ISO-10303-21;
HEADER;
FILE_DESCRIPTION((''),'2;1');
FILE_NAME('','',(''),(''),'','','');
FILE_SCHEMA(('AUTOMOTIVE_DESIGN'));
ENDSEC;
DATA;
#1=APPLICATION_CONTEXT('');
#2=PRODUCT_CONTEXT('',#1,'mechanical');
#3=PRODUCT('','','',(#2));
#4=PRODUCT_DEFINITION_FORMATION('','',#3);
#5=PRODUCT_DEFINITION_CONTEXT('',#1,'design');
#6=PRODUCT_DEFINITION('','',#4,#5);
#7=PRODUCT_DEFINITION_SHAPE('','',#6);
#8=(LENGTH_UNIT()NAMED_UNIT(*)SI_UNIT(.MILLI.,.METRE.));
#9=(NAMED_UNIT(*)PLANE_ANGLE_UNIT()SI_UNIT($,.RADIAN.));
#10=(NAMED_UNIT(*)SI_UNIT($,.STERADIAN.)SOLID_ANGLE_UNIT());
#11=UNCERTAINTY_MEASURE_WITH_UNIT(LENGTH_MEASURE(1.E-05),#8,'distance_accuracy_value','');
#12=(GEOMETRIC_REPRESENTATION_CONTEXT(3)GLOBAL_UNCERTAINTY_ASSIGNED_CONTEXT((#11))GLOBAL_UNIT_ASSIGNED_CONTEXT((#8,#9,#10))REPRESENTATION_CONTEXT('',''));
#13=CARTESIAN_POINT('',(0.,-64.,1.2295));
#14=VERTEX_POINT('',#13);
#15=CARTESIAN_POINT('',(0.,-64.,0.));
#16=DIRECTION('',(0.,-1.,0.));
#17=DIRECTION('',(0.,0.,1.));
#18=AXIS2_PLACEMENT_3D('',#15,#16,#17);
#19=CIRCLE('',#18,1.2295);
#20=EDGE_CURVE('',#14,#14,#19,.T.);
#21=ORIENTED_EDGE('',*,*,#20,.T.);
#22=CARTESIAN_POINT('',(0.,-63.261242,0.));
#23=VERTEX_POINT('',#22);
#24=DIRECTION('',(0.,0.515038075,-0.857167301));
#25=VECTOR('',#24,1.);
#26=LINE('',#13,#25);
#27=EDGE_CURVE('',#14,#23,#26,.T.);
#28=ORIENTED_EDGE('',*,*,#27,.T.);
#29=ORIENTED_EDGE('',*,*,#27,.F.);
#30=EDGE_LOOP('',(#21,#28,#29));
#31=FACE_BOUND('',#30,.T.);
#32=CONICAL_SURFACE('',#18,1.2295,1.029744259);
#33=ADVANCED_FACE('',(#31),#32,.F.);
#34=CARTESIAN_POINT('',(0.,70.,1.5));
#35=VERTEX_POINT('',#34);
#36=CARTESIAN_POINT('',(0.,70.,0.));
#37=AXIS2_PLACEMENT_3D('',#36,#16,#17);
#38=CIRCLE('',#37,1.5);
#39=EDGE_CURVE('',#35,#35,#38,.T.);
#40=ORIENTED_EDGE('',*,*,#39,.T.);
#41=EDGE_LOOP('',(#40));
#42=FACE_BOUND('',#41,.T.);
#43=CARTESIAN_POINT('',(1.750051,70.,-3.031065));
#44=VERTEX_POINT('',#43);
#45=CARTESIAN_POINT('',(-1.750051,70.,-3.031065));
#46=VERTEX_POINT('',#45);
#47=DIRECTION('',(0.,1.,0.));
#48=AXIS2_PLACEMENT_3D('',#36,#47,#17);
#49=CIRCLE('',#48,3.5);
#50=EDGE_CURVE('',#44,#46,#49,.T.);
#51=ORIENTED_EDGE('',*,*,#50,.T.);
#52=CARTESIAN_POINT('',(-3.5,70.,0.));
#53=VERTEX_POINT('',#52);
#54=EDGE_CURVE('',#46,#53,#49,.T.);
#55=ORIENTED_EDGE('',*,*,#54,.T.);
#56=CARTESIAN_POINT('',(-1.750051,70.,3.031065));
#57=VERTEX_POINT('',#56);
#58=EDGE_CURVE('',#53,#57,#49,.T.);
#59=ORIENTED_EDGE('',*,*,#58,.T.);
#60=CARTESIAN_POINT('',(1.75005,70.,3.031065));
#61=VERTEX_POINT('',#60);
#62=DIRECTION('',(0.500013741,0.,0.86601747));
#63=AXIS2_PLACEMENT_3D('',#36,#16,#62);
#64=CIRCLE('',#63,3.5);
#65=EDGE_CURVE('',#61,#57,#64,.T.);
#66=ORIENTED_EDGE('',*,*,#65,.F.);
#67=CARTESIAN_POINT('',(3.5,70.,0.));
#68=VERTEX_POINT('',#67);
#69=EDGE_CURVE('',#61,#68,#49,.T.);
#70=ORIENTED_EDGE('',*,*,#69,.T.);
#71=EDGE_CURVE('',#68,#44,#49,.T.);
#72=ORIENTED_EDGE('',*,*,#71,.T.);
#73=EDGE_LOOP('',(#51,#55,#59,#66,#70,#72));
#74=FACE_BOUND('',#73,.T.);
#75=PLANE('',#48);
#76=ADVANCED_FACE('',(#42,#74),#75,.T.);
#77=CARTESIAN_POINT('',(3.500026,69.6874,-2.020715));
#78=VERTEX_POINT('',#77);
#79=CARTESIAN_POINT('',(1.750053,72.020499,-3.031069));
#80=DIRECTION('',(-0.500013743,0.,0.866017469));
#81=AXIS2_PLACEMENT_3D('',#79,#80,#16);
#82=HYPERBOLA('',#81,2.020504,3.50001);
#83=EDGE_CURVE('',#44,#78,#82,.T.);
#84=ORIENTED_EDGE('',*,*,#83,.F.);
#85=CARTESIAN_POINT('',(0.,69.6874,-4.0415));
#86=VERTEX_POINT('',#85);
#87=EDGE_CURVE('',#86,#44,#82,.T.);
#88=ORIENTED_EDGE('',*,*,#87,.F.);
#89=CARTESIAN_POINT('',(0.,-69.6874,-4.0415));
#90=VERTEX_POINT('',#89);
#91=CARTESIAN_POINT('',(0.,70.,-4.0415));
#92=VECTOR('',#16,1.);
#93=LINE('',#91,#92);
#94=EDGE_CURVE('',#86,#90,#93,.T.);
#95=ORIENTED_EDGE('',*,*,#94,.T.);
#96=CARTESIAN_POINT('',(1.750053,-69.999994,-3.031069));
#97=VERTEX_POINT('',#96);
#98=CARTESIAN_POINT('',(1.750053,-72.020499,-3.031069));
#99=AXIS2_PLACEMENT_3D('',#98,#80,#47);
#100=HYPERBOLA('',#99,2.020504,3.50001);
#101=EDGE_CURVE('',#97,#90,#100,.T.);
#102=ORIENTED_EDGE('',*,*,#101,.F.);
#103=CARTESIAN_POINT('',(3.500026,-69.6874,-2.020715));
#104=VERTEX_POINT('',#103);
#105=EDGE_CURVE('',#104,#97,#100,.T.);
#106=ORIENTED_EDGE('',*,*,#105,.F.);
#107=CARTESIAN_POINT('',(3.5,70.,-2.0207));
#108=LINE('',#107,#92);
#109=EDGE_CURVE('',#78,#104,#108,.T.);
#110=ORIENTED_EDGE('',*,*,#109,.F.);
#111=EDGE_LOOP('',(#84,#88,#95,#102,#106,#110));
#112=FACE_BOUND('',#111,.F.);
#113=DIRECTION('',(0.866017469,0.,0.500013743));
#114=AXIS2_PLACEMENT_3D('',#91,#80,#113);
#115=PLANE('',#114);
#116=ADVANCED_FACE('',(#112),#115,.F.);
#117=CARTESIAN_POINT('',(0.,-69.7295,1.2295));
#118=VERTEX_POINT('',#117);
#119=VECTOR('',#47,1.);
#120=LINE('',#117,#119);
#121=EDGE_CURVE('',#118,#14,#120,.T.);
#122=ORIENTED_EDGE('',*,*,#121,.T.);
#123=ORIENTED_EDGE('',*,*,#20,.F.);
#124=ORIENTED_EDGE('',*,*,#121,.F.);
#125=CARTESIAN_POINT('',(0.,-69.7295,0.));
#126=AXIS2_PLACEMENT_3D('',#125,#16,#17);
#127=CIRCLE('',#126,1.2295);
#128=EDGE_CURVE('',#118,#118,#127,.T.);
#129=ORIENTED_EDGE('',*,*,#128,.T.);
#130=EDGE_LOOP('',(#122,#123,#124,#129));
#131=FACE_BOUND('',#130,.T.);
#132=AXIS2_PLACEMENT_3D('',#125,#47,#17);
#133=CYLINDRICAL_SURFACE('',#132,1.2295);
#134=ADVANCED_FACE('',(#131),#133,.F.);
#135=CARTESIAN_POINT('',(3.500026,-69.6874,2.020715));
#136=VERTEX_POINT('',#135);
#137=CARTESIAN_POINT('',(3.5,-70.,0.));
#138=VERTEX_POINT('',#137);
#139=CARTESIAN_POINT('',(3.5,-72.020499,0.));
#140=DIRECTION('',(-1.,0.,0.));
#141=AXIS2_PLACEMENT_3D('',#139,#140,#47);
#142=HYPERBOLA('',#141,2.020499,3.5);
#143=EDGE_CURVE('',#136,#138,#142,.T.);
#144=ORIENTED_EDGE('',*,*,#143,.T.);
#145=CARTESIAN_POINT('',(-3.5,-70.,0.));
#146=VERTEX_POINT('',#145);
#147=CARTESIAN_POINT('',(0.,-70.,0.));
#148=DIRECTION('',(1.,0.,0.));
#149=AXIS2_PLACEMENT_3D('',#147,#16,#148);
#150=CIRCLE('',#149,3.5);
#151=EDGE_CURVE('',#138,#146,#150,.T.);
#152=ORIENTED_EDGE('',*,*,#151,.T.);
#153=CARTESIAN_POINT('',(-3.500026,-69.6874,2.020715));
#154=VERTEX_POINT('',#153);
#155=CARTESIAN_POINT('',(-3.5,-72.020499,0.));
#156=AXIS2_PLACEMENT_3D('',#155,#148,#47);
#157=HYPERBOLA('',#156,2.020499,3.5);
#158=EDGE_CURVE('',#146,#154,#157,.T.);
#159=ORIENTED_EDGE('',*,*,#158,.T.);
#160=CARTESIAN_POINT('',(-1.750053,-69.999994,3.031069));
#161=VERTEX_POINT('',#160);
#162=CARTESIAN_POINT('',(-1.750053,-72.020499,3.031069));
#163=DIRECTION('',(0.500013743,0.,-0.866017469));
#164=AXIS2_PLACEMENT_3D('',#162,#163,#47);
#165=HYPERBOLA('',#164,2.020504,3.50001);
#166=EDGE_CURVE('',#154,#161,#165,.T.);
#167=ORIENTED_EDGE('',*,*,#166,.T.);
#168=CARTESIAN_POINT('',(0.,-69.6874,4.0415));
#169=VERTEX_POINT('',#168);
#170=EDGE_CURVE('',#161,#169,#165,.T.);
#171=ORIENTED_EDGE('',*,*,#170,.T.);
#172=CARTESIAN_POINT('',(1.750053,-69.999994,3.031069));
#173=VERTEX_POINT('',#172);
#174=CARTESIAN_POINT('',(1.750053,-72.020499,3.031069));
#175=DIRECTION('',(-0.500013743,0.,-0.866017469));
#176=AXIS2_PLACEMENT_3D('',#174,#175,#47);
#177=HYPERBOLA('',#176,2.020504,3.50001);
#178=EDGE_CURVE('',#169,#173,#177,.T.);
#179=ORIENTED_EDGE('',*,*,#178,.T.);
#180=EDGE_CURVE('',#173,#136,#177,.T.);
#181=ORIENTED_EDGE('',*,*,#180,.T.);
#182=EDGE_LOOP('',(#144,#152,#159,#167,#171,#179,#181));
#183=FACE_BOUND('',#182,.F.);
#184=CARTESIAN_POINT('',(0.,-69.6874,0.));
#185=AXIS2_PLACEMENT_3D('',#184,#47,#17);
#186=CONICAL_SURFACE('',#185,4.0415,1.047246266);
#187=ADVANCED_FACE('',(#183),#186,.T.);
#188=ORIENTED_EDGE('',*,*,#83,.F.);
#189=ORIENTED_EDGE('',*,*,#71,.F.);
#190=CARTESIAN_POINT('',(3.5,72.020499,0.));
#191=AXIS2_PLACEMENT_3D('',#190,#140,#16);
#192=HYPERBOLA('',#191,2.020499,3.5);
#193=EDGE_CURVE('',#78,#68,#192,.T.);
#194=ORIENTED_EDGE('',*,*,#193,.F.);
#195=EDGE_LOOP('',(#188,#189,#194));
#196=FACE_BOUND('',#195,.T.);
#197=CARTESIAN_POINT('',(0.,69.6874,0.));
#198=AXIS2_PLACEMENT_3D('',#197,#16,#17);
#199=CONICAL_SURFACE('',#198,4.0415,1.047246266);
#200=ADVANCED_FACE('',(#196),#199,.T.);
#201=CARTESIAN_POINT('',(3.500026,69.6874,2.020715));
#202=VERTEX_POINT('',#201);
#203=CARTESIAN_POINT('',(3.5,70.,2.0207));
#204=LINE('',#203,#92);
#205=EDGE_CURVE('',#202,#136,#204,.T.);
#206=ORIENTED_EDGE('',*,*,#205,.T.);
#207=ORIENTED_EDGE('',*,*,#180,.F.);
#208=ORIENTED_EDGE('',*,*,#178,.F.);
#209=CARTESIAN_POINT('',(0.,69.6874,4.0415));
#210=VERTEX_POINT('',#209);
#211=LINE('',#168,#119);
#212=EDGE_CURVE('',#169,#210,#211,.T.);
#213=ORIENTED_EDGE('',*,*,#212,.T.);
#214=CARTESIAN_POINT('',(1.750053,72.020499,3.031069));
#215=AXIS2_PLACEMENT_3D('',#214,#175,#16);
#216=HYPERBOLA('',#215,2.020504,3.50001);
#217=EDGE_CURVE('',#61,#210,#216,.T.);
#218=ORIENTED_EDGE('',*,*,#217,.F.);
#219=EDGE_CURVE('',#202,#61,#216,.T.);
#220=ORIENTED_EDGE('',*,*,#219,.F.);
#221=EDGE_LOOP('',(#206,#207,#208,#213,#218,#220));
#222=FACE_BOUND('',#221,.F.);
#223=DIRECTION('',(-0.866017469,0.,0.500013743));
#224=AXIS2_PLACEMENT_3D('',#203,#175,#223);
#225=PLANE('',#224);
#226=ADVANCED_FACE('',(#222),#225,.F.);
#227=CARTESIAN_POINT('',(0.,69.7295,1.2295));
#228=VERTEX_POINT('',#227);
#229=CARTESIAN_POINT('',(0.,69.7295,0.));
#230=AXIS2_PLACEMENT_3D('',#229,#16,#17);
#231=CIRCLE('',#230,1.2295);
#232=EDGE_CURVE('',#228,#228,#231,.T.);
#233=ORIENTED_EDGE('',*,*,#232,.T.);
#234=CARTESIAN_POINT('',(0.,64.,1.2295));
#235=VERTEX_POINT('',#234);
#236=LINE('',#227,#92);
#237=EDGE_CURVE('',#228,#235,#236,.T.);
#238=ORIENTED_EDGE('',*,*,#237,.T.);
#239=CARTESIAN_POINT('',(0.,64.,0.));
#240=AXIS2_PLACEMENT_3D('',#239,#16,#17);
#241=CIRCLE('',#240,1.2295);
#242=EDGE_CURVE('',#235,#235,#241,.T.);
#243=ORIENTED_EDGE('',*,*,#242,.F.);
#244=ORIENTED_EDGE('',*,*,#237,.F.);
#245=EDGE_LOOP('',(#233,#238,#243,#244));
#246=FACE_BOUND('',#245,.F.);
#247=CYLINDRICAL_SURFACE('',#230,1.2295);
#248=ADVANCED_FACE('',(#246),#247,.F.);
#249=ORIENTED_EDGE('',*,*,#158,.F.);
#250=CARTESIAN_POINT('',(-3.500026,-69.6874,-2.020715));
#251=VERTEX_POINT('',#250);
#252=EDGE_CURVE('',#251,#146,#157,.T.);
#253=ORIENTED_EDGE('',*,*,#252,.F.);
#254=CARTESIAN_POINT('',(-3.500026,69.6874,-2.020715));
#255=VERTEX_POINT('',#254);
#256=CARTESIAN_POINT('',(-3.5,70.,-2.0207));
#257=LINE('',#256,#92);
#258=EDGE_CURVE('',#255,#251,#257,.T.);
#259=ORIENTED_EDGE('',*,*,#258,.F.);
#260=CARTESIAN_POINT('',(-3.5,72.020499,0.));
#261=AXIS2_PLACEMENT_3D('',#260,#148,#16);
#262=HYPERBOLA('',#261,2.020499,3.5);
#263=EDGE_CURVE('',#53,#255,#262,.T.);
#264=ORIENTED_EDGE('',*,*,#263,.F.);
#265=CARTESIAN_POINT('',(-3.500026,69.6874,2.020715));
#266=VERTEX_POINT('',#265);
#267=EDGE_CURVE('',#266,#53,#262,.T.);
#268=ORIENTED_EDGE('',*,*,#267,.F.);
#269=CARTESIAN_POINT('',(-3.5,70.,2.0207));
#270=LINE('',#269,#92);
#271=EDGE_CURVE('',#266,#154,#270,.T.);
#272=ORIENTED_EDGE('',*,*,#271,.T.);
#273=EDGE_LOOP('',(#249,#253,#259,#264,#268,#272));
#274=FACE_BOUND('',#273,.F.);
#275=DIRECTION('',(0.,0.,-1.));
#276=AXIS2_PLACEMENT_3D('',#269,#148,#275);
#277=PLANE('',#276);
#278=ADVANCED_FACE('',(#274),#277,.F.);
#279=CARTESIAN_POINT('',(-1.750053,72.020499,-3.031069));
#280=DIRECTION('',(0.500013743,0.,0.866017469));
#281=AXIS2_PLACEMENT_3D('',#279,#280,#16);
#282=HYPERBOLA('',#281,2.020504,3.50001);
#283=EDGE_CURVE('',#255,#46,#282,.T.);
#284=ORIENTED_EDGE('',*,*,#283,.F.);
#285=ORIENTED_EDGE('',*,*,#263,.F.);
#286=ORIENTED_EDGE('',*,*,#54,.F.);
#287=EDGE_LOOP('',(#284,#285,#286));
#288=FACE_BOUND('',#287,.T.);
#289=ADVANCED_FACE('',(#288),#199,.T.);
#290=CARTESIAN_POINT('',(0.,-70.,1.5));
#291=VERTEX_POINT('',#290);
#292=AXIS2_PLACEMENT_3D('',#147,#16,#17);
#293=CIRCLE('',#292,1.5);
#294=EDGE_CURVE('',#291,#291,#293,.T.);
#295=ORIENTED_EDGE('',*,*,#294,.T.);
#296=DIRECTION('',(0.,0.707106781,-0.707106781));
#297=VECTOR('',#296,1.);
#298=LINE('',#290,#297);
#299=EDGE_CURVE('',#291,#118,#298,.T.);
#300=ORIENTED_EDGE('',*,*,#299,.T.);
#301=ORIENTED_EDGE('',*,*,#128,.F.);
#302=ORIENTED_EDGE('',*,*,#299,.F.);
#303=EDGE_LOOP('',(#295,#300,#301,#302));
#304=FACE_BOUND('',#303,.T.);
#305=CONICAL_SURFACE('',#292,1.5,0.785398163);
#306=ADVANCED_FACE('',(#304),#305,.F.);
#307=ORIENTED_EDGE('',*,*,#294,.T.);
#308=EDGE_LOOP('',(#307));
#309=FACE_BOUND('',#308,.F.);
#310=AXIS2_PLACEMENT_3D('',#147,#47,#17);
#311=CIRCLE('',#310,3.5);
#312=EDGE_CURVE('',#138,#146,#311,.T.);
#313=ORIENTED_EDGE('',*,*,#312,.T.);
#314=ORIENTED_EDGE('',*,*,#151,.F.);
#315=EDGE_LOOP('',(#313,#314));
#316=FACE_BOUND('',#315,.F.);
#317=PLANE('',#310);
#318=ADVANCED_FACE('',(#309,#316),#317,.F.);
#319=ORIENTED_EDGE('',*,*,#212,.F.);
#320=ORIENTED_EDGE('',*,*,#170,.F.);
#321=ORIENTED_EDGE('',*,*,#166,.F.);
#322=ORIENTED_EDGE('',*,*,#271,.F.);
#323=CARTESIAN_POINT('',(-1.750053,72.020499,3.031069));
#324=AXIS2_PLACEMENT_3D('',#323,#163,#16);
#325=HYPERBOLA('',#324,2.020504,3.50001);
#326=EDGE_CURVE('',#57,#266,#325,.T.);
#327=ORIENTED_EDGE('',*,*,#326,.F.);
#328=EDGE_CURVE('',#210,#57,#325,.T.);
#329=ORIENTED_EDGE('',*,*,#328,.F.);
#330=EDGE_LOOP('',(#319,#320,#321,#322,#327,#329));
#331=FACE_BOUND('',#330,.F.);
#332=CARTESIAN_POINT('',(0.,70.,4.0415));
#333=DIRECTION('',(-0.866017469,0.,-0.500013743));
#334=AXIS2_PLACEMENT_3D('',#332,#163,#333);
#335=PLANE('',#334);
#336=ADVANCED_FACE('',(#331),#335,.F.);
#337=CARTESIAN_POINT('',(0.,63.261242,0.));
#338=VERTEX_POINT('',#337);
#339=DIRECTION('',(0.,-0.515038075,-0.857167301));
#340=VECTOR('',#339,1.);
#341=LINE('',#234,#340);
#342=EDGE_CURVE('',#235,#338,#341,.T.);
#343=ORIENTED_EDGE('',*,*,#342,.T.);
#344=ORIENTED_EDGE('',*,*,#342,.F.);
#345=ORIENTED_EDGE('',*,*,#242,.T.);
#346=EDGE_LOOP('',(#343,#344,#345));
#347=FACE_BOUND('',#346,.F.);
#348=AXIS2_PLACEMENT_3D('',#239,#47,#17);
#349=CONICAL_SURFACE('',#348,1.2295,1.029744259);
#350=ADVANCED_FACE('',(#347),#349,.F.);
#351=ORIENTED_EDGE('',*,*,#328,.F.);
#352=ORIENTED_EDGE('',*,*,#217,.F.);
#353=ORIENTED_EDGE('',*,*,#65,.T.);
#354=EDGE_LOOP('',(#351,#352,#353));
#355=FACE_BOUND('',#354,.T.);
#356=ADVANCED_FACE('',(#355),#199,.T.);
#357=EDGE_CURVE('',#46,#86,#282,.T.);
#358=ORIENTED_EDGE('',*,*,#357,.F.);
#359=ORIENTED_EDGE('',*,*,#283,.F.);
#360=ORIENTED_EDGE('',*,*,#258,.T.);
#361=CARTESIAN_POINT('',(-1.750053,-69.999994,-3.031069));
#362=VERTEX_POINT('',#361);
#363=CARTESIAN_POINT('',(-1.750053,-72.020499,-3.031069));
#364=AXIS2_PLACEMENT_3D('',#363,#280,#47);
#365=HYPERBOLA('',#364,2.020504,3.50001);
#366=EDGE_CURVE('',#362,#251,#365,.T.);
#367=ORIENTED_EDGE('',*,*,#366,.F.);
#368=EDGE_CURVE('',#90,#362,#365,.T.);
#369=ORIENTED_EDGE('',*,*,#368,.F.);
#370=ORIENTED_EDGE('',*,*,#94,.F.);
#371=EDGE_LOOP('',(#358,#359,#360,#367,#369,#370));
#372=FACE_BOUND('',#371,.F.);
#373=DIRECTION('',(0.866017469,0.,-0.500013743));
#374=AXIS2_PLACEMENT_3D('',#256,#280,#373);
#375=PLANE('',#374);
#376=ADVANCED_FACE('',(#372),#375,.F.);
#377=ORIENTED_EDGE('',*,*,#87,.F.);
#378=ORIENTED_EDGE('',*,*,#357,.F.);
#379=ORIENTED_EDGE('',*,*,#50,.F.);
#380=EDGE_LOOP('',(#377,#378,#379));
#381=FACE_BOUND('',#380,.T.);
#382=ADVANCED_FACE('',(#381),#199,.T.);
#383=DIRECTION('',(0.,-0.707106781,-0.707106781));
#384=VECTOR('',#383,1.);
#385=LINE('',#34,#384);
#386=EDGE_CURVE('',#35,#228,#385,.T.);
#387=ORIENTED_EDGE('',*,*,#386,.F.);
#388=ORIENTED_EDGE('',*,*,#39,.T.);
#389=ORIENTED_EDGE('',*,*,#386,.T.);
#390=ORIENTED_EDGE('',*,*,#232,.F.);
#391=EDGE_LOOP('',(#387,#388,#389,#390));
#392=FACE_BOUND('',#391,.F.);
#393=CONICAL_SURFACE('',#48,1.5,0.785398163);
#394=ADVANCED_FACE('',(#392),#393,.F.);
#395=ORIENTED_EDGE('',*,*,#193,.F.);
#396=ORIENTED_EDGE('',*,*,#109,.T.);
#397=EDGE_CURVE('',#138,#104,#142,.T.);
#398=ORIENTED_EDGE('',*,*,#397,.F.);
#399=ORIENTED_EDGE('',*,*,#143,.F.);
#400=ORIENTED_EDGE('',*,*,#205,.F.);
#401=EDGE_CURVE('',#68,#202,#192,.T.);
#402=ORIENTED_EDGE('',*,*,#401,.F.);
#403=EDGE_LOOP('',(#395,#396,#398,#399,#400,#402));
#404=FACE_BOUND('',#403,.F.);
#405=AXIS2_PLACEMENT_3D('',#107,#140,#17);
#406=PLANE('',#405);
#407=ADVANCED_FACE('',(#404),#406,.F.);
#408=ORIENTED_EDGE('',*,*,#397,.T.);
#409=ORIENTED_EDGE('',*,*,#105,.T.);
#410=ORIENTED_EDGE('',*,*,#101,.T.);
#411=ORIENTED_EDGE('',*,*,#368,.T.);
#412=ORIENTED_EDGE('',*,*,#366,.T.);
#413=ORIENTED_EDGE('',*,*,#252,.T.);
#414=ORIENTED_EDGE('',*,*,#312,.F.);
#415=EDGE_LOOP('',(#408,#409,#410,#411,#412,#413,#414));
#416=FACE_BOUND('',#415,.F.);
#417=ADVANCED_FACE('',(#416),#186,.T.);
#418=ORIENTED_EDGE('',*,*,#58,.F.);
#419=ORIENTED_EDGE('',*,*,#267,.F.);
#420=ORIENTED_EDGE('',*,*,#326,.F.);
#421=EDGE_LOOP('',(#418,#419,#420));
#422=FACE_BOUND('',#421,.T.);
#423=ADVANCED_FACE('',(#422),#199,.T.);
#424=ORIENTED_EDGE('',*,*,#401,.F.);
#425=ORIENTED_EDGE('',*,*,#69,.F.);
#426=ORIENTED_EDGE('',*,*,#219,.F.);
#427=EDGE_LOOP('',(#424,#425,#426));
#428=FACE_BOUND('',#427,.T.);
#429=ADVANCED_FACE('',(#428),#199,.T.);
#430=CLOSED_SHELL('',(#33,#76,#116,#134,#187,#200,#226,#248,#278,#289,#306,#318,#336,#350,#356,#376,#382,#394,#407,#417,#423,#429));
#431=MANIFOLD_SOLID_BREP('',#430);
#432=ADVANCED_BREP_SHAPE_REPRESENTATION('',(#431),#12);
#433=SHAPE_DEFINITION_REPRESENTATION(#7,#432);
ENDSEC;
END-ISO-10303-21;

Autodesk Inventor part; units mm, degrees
ref_plane "YZ Plane" through (0, 0, 0) normal (1, 0, 0) x (0, 1, 0)
ref_plane "XZ Plane" through (0, 0, 0) normal (0, 1, 0) x (-1, 0, 0)
ref_plane "XY Plane" through (0, 0, 0) normal (0, 0, 1) x (1, 0, 0)
sketch "スケッチ1" plane through (0, 0, 0) normal (1, 0, 0) x (0, 1, 0)
  line L0 (-70, 0) -> (70, 0)
  line L1 (0, 0) -> (0, 4.0415) construction
  line L2 (-69.6874, 4.0415) -> (-70, 3.5)
  line L3 (-70, 3.5) -> (-70, 0)
  line L4 (-69.6874, 4.0415) -> (69.6874, 4.0415)
  line L5 (69.6874, 4.0415) -> (70, 3.5)
  line L6 (70, 3.5) -> (70, 0)
  dimension "d1" = 3.5
  dimension "d2" = 4.0415
  dimension "d3" = 30
  dimension "d4" = 140
revolve "回転1" add sketch "スケッチ1" angle 360 about axis through (0, -70, 0) along (0, 1, 0)
sketch "スケッチ2" plane through (0, 70, 0) normal (0, 1, 0) x (1, 0, 0)
  circle A0 centre (0, 0) radius 4.0415 projected
  line L0 (0, -4.0415) -> (-3.5, -2.0207)
  line L1 (-3.5, -2.0207) -> (-3.5, 2.0207)
  line L2 (-3.5, 2.0207) -> (0, 4.0415)
  line L3 (0, 4.0415) -> (3.5, 2.0207)
  line L4 (3.5, 2.0207) -> (3.5, -2.0207)
  line L5 (3.5, -2.0207) -> (0, -4.0415)
  point P0 (0, 0)
  point P1 (0, 0)
  point P2 (3.5, -2.0207)
  point P3 (3.5, 2.0207)
  point P4 (3.5, 2.0207)
  point P5 (0, 4.0415)
  point P6 (0, 4.0415)
  point P7 (-3.5, 2.0207)
  point P8 (-3.5, 2.0207)
  point P9 (-3.5, -2.0207)
  point P10 (-3.5, -2.0207)
extrude "押し出し1" cut sketch "スケッチ2" against normal through all contours A0 L4 | L3 A0 | A0 L5 | L2 A0 | A0 L0 | L1 A0
hole "穴1" at (0, 70, 0) direction (0, -1, 0) diameter 2.459 depth 6 tip angle 118 countersink diameter 3 countersink angle 90 thread size "M3x0.5" class "6H" standard "ISO Metric profile"
mirror "ミラー1" about plane through (0, 0, 0) normal (0, 1, 0) of "穴1"
equation "\"d2\" = 1.1547 * d1"
properties part number "ABLSBF7-140-M3-N3" material "アルミニウム 2014-T4"
